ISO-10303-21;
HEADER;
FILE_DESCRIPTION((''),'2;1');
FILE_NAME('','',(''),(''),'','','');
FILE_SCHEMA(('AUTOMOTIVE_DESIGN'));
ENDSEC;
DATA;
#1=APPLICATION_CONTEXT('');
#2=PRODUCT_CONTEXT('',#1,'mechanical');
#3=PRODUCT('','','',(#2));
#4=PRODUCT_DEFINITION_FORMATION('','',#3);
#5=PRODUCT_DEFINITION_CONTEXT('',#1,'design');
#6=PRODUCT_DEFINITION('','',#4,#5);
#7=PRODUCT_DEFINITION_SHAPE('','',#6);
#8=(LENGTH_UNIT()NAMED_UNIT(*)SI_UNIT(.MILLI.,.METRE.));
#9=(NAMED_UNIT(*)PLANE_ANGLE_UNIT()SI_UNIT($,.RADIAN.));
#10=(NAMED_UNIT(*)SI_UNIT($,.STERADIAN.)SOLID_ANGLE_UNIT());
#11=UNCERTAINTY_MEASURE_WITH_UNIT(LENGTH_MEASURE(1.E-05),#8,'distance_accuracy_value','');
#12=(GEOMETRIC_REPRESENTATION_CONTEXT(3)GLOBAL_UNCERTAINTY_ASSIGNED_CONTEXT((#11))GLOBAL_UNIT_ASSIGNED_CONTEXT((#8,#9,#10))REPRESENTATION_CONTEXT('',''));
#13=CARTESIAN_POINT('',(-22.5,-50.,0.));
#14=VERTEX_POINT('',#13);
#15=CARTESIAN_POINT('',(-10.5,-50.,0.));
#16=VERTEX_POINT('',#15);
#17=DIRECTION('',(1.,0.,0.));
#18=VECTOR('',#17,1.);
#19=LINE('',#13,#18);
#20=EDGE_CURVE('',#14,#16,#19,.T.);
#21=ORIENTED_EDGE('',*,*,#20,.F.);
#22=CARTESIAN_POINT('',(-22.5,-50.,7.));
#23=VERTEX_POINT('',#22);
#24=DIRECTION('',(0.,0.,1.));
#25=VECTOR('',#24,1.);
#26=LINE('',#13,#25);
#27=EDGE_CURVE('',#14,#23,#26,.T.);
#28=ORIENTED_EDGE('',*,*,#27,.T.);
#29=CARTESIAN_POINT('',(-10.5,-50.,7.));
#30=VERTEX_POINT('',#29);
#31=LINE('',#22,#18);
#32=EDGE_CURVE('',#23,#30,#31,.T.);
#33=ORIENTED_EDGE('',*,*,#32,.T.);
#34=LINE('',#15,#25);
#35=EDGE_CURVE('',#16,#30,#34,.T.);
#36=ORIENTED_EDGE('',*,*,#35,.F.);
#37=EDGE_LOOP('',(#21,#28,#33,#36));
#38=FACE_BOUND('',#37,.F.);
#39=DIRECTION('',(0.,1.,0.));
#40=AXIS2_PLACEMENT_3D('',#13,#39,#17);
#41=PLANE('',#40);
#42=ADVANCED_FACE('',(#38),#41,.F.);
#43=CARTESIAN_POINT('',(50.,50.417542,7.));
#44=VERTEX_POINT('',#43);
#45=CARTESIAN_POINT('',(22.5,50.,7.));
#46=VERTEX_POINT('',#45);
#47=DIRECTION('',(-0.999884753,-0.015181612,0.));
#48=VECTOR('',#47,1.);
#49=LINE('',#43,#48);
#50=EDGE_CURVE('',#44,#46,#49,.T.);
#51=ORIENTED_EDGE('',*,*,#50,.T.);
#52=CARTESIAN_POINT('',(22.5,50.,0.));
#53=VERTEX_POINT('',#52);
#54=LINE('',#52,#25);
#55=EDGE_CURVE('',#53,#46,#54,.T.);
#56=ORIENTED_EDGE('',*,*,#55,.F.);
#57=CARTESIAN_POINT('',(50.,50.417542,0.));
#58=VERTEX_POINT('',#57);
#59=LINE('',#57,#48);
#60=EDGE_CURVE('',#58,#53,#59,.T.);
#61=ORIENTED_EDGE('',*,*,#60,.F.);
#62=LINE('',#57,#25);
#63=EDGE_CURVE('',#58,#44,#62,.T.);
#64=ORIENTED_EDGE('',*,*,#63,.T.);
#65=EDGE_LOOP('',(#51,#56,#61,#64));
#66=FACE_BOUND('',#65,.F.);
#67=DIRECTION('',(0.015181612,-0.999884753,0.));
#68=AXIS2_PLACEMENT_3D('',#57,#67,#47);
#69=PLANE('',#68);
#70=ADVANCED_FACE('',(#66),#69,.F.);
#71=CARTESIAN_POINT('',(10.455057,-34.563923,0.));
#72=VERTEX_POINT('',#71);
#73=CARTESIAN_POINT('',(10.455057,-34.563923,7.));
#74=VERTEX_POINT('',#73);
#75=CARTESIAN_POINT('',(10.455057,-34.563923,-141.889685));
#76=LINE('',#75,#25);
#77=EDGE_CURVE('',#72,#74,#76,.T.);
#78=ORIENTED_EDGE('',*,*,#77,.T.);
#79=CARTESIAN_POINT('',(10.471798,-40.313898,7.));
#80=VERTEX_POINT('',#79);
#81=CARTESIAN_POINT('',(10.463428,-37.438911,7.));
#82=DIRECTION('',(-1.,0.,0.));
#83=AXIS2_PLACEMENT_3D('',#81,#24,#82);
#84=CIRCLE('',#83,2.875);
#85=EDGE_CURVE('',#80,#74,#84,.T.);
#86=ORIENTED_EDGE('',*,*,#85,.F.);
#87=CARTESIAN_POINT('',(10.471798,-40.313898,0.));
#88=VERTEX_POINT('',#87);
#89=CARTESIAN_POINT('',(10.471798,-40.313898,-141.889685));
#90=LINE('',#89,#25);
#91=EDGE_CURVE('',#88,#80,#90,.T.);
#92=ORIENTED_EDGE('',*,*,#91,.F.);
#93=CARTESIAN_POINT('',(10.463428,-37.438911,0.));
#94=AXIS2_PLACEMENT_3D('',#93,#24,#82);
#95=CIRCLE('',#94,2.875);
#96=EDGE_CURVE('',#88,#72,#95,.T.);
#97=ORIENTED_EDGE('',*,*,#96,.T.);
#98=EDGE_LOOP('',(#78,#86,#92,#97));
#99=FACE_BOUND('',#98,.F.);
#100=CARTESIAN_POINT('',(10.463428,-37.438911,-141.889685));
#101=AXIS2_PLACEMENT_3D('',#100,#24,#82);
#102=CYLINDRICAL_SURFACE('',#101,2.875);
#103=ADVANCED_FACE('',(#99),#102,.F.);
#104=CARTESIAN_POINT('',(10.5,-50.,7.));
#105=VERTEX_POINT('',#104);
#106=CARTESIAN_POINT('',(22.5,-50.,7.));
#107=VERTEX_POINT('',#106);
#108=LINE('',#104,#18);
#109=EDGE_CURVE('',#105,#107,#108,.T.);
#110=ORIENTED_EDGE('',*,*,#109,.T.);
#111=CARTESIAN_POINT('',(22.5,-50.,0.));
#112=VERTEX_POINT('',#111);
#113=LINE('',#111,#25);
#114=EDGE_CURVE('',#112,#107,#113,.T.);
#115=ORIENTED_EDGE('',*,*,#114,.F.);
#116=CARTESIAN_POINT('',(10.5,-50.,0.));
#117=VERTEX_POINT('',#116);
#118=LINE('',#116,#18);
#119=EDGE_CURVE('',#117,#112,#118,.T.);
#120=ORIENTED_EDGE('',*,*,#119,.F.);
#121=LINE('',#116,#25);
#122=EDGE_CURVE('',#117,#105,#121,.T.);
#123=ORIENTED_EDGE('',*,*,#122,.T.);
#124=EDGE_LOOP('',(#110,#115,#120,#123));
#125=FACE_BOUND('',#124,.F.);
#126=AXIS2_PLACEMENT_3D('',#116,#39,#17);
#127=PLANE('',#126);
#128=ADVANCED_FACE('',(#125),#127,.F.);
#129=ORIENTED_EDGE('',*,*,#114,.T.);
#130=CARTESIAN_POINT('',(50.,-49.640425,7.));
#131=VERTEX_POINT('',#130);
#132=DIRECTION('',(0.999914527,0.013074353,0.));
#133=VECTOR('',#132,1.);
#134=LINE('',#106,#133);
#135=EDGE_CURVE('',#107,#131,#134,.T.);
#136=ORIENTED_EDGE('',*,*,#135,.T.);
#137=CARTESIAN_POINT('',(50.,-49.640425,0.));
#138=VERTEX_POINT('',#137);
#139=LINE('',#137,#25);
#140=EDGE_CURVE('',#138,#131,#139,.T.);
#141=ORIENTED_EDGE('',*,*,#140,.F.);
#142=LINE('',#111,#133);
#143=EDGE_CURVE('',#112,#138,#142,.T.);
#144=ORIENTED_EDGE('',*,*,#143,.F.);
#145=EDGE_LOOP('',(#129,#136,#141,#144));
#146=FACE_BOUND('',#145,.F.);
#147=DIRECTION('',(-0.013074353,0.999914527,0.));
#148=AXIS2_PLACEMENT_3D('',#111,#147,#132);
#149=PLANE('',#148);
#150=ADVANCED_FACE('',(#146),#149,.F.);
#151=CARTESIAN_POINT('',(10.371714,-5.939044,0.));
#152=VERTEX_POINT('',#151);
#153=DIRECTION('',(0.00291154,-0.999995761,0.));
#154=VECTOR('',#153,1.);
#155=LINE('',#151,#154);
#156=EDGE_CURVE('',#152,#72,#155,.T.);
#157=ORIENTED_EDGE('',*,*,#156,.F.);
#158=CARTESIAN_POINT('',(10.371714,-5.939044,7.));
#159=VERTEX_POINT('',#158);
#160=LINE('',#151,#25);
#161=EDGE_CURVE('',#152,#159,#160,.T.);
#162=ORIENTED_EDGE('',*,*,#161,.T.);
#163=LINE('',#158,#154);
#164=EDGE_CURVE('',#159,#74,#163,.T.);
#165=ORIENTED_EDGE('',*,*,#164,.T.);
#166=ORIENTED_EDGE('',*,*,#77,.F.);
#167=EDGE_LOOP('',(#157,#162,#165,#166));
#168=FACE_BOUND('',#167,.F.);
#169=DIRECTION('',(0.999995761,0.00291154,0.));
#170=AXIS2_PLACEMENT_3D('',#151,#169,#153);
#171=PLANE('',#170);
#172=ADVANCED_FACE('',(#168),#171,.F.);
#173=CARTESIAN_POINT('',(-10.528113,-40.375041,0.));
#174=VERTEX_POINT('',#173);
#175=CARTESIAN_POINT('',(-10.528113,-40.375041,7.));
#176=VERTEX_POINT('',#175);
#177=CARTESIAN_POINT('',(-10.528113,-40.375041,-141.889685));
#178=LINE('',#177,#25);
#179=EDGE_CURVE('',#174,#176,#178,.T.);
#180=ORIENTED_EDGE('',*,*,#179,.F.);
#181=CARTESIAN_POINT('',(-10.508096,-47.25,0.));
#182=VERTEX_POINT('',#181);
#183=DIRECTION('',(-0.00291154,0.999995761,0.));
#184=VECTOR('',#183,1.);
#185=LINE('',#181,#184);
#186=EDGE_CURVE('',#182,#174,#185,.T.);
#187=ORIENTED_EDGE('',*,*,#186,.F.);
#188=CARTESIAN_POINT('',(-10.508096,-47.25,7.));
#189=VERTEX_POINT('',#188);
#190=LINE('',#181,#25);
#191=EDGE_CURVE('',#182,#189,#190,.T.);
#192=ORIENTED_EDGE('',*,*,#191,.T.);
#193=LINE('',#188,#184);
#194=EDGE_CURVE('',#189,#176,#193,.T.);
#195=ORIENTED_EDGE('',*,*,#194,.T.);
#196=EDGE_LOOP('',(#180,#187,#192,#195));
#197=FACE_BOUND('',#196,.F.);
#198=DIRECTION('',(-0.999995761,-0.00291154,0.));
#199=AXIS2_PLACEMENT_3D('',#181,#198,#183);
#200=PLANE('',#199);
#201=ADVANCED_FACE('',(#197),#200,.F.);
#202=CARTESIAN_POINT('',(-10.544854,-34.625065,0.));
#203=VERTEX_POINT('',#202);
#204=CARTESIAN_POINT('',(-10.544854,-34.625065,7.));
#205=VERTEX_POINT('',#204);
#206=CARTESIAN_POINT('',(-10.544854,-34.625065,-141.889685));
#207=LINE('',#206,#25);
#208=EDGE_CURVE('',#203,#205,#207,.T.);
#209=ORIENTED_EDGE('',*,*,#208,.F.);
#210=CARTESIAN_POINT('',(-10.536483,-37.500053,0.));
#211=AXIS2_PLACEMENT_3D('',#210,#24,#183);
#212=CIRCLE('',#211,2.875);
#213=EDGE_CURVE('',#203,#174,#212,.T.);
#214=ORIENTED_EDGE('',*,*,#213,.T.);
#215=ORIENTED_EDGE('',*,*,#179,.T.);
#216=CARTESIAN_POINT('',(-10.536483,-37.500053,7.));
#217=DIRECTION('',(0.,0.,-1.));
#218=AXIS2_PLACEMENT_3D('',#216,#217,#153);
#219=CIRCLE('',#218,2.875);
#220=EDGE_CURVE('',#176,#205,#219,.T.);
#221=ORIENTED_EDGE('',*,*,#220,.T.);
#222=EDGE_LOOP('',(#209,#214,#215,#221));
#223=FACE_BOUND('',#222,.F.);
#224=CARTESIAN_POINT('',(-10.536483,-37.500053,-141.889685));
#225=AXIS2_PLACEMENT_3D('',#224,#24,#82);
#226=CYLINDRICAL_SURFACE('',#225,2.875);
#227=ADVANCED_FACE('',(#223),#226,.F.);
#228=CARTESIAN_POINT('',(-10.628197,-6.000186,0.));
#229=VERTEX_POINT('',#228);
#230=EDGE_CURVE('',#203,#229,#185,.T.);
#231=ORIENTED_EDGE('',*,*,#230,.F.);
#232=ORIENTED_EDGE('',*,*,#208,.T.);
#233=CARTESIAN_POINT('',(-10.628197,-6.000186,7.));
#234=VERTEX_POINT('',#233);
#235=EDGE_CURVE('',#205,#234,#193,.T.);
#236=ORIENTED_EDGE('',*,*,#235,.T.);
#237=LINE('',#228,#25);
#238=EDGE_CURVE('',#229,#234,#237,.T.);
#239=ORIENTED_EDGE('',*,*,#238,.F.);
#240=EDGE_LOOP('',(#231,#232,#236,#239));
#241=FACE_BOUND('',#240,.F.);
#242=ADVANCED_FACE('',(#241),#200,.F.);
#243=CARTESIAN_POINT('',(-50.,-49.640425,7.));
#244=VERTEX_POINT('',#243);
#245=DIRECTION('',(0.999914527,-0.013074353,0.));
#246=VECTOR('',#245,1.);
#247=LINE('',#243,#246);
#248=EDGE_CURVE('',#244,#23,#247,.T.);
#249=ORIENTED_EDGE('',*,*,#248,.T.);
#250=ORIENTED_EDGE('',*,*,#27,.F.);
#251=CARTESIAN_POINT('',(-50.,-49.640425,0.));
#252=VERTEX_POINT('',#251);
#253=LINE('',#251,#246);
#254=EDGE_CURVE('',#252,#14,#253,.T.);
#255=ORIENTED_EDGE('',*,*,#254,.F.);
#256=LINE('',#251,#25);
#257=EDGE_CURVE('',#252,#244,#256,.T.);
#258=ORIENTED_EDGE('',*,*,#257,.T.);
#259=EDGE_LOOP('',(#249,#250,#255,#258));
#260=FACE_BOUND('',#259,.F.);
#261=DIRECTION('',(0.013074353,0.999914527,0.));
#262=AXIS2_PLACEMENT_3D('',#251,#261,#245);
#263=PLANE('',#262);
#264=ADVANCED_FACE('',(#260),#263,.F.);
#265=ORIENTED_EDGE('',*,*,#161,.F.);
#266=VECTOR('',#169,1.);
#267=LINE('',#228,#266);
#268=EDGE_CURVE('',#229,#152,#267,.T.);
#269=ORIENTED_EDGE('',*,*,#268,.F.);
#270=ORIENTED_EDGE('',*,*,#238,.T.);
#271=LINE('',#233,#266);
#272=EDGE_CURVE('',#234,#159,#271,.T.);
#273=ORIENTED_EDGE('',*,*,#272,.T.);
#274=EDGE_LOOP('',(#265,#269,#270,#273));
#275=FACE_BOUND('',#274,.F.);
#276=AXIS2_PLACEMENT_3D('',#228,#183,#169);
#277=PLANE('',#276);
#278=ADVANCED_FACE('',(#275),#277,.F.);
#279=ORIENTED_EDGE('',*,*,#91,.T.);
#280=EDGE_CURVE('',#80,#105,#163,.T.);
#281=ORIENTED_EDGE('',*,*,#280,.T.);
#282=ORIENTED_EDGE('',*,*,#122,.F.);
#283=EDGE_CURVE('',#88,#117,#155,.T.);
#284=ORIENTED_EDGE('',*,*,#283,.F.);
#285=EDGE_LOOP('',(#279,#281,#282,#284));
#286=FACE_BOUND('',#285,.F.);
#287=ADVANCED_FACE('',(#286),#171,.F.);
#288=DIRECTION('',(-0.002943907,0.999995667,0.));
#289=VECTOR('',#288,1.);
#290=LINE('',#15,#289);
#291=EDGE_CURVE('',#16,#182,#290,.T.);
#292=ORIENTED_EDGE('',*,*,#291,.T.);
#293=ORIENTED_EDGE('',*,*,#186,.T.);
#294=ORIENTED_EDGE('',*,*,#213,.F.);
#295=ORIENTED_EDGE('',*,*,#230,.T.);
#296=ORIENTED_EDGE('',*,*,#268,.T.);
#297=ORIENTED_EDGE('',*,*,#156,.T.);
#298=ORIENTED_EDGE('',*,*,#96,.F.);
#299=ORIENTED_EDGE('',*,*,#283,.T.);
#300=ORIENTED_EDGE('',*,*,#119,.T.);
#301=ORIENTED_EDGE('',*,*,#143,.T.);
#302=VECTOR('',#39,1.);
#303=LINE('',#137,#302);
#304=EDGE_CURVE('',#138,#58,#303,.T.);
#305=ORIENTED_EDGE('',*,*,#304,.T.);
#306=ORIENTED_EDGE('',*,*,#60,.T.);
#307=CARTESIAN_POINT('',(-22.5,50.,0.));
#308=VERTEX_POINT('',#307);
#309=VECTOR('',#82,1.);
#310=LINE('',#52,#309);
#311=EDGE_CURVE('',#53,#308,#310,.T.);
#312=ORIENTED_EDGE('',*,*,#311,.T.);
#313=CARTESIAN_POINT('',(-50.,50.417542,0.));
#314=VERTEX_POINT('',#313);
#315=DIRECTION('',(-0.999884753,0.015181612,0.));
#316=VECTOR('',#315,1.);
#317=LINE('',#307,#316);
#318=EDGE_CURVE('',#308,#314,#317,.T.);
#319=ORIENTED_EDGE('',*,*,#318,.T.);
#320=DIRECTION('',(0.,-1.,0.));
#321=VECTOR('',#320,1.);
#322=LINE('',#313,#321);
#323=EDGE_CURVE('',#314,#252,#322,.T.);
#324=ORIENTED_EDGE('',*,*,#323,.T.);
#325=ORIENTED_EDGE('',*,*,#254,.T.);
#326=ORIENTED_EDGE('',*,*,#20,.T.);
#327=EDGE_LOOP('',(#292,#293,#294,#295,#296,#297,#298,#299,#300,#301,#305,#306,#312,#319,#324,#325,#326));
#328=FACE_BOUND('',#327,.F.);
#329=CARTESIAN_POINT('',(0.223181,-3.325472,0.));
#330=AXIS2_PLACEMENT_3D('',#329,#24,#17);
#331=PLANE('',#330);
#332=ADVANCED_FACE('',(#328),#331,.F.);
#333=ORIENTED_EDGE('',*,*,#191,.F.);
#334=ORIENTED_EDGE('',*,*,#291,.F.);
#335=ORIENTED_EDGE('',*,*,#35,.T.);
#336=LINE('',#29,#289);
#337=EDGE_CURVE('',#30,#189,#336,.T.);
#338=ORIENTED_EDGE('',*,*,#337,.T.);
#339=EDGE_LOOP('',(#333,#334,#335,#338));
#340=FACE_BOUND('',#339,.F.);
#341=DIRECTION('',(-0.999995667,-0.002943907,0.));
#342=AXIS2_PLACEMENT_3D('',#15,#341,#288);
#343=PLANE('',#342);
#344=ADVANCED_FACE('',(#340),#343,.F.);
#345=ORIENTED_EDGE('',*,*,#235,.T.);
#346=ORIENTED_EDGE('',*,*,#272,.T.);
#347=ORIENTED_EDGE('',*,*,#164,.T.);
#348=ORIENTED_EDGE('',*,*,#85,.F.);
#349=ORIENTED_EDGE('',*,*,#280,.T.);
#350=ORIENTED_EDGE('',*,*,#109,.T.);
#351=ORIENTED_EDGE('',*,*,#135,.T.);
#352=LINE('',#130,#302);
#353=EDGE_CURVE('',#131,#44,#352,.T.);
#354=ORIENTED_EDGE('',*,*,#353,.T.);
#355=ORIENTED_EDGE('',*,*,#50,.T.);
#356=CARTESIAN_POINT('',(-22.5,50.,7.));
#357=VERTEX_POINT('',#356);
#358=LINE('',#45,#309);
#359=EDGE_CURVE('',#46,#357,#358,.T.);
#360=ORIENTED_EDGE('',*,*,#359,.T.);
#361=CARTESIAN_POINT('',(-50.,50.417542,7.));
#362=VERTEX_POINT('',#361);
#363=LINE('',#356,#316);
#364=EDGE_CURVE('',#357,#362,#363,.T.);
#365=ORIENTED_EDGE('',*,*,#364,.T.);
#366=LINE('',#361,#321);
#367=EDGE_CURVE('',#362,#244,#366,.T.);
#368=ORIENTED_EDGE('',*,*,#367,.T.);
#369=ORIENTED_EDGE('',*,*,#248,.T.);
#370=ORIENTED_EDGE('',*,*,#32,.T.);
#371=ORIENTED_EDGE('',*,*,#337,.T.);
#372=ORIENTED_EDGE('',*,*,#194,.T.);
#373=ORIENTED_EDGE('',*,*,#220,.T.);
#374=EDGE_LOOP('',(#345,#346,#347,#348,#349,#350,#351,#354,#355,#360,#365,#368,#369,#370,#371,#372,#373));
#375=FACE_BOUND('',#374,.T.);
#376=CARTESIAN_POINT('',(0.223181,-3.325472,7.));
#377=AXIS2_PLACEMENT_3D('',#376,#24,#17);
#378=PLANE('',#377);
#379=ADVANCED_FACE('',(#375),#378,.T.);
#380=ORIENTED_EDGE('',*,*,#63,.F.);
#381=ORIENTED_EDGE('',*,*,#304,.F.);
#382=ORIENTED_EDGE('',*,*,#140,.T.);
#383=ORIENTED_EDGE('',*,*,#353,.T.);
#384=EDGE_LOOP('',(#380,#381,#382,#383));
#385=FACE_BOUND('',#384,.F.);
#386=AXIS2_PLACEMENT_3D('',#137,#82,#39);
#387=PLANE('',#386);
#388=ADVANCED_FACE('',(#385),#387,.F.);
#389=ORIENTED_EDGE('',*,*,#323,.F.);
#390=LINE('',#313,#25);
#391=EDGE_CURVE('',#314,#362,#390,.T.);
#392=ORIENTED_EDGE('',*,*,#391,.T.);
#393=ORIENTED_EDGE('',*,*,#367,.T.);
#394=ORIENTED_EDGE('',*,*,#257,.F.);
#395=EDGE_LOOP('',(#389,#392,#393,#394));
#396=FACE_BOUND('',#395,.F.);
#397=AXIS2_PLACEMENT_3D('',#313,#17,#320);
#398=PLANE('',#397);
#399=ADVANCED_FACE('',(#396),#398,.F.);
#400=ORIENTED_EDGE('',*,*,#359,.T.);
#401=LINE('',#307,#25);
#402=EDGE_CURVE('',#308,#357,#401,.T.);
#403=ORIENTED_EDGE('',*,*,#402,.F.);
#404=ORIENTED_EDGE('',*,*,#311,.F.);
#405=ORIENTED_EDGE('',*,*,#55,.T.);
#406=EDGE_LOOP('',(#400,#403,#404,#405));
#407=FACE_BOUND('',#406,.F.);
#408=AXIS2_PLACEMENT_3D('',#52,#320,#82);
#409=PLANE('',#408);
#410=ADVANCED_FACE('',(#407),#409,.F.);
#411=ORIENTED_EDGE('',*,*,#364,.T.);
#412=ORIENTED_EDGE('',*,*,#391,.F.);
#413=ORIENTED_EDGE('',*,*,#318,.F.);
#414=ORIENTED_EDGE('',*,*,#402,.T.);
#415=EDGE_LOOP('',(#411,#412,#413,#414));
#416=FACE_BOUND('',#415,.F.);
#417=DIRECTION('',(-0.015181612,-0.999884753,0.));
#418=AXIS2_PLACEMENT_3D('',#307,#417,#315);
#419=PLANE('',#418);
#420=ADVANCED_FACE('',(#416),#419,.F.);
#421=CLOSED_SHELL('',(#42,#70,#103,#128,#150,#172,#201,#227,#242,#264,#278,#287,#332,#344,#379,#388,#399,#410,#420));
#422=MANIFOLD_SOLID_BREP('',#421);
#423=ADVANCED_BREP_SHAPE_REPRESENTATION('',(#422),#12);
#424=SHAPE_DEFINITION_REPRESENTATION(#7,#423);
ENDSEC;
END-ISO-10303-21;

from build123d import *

# Parameters (mm, degrees)
F1_DEPTH = 7
F2_D     = 5.75


with BuildPart() as f1:
    # F0 (on Top) → F1 (new body)
    with BuildSketch(Plane.XY):
        Polygon((10.5, -50), (22.5, -50), (22.5, 50), (-14.5, 50), (-22.5, 50), (-22.5, 39), (-22.5, 16), (-22.5, 10), (-22.5, -47.25), (-10.5080957781, -47.25), (-10.6281967604, -6.0001864958), (10.3717142302, -5.9390441602), align=None)
        Polygon((-10.5, -50), (-10.5080957781, -47.25), (-22.5, -47.25), (-22.5, -50), align=None)
        Polygon((-22.5, 39), (-22.5, 50), (-50, 50.4175424576), (-50, -49.6404245496), (-22.5, -50), (-22.5, -47.25), (-22.5, 10), (-22.5, 16), align=None)
        Polygon((22.5, 50), (22.5, -50), (50, -49.6404245496), (50, 50.4175424576), align=None)
    extrude(amount=F1_DEPTH)

    # F2 (through all)
    with Locations(Plane(origin=(0, 0, 0), x_dir=(1, 0, 0), z_dir=(0, 0, -1))):
        with Locations((-10.5364832571, 37.5000529818), (10.4634277335, 37.4389106462)):
            Hole(F2_D / 2)


solid = f1.part
